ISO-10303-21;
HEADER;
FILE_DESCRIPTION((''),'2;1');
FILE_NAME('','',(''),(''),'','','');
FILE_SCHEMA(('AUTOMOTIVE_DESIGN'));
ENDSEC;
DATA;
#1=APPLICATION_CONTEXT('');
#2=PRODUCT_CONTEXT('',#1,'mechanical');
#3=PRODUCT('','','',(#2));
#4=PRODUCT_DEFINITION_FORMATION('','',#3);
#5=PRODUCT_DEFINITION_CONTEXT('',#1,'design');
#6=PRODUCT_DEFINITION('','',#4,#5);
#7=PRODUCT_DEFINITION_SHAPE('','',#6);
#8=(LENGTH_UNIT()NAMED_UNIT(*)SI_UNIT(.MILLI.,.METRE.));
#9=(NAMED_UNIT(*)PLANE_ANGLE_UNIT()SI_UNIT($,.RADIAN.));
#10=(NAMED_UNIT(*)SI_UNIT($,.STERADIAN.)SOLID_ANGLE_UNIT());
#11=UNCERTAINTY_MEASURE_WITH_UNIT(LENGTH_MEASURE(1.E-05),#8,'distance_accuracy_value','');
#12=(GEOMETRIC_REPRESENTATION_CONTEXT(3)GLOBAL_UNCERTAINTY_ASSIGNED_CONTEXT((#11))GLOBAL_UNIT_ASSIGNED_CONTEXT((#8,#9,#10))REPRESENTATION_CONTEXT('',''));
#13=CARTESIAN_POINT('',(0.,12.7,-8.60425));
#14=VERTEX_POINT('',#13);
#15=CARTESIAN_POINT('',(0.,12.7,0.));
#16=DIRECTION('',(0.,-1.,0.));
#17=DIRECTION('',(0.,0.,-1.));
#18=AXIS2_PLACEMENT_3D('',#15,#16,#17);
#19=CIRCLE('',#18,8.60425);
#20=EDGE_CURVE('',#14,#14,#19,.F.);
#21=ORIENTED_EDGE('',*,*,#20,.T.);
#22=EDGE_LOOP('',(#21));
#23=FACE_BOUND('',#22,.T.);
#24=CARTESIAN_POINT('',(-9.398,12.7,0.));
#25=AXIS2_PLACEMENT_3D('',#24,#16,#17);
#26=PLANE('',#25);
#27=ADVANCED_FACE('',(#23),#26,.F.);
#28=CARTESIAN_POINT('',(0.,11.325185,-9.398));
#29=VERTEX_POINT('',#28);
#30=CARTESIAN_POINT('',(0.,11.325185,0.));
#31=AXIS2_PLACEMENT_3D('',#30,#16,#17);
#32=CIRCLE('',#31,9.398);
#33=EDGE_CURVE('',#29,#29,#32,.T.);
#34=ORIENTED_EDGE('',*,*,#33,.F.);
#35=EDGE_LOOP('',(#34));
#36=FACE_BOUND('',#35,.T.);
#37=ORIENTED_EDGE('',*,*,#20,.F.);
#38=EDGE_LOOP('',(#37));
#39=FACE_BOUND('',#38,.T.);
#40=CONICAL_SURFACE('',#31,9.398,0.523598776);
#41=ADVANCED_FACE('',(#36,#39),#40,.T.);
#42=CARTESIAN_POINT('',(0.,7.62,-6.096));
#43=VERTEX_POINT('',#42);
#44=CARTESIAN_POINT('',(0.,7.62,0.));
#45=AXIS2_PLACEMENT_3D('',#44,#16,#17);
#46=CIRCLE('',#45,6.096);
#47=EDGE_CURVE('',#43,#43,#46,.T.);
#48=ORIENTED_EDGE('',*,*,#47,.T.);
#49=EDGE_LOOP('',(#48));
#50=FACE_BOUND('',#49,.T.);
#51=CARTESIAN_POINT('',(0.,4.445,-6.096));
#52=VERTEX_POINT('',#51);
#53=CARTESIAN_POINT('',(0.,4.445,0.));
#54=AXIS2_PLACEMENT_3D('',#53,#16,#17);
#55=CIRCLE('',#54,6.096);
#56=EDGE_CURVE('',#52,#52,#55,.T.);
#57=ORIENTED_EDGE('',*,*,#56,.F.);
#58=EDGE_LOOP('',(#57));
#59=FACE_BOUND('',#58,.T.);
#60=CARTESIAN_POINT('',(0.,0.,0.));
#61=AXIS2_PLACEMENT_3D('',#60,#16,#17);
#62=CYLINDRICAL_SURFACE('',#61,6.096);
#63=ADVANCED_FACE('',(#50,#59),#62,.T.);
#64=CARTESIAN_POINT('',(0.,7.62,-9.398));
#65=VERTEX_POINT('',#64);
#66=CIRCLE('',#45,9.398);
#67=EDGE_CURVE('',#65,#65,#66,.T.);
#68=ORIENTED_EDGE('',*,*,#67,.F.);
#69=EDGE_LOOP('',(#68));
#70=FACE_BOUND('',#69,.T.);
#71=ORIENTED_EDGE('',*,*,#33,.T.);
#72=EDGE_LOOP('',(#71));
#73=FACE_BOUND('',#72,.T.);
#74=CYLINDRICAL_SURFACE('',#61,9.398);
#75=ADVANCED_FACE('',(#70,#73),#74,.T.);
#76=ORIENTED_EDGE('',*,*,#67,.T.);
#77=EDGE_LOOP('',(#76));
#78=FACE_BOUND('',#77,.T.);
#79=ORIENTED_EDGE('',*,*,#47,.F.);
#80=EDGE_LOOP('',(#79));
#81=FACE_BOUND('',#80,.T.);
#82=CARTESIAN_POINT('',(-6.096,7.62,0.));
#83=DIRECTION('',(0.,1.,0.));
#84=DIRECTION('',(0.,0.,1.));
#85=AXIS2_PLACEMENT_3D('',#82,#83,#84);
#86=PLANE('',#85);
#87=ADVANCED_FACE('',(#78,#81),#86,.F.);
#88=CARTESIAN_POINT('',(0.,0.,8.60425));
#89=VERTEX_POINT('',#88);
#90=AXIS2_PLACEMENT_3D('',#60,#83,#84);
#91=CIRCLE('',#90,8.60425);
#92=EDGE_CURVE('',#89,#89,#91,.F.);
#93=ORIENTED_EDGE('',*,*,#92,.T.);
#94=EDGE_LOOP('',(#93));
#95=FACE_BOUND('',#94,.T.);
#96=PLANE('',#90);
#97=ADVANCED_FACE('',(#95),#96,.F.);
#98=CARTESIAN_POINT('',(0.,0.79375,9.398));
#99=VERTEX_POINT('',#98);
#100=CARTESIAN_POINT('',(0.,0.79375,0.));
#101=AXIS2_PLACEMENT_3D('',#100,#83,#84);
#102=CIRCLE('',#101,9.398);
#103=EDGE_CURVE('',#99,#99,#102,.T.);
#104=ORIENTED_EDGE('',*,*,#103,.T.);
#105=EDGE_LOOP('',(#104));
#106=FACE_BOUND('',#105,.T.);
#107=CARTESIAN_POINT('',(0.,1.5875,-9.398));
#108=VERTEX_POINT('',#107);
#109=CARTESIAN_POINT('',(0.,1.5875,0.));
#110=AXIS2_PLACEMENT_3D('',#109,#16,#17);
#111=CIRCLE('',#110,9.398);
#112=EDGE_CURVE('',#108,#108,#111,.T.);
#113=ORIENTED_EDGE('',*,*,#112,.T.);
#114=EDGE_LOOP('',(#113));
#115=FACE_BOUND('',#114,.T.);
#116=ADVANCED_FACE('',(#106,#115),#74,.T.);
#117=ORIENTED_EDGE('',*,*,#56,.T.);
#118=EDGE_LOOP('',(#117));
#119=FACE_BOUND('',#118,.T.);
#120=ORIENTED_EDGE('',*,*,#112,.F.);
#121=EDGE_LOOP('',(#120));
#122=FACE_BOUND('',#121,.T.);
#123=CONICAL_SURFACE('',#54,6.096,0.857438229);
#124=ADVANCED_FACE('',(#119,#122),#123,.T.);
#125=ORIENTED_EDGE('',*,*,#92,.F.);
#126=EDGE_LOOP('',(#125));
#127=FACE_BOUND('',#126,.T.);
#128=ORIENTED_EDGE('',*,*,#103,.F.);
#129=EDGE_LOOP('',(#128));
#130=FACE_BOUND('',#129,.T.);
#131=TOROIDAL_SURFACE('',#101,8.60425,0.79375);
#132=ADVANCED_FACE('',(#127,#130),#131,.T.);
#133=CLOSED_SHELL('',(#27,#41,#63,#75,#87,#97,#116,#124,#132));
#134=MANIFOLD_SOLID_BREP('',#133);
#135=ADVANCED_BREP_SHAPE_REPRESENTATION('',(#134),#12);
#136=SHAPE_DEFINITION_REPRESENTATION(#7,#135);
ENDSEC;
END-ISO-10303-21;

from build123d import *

# Parameters (mm, degrees)
FILLET1_R      = 0.79375
CHAMFER1_SIZE  = 0.79375
CHAMFER1_SIZE2 = 1.374815329


with BuildPart() as part:
    # Sketch1 → Revolve1 (revolve)
    with BuildSketch(Plane.XY):
        Polygon((0, 0), (-9.398, 0), (-9.398, 1.5875), (-6.096, 4.445), (-6.096, 7.62), (-9.398, 7.62), (-9.398, 12.7), (0, 12.7), align=None)
    revolve(axis=Axis((0, 0, 0), (0, 1, 0)))

    # Fillet1
    fillet1_edges = [part.edges().sort_by_distance(p)[0] for p in [
        (9.398, 0, 0),
    ]]
    fillet(fillet1_edges, radius=FILLET1_R)

    # Chamfer1
    chamfer1_edges = [part.edges().sort_by_distance(p)[0] for p in [
        (9.398, 12.7, 0),
    ]]
    chamfer1_side = [part.faces().sort_by_distance(p)[0] for p in [
        (0, 12.7, 0),
    ]]
    chamfer(chamfer1_edges, length=CHAMFER1_SIZE, length2=CHAMFER1_SIZE2, reference=chamfer1_side[0])


solid = part.part
